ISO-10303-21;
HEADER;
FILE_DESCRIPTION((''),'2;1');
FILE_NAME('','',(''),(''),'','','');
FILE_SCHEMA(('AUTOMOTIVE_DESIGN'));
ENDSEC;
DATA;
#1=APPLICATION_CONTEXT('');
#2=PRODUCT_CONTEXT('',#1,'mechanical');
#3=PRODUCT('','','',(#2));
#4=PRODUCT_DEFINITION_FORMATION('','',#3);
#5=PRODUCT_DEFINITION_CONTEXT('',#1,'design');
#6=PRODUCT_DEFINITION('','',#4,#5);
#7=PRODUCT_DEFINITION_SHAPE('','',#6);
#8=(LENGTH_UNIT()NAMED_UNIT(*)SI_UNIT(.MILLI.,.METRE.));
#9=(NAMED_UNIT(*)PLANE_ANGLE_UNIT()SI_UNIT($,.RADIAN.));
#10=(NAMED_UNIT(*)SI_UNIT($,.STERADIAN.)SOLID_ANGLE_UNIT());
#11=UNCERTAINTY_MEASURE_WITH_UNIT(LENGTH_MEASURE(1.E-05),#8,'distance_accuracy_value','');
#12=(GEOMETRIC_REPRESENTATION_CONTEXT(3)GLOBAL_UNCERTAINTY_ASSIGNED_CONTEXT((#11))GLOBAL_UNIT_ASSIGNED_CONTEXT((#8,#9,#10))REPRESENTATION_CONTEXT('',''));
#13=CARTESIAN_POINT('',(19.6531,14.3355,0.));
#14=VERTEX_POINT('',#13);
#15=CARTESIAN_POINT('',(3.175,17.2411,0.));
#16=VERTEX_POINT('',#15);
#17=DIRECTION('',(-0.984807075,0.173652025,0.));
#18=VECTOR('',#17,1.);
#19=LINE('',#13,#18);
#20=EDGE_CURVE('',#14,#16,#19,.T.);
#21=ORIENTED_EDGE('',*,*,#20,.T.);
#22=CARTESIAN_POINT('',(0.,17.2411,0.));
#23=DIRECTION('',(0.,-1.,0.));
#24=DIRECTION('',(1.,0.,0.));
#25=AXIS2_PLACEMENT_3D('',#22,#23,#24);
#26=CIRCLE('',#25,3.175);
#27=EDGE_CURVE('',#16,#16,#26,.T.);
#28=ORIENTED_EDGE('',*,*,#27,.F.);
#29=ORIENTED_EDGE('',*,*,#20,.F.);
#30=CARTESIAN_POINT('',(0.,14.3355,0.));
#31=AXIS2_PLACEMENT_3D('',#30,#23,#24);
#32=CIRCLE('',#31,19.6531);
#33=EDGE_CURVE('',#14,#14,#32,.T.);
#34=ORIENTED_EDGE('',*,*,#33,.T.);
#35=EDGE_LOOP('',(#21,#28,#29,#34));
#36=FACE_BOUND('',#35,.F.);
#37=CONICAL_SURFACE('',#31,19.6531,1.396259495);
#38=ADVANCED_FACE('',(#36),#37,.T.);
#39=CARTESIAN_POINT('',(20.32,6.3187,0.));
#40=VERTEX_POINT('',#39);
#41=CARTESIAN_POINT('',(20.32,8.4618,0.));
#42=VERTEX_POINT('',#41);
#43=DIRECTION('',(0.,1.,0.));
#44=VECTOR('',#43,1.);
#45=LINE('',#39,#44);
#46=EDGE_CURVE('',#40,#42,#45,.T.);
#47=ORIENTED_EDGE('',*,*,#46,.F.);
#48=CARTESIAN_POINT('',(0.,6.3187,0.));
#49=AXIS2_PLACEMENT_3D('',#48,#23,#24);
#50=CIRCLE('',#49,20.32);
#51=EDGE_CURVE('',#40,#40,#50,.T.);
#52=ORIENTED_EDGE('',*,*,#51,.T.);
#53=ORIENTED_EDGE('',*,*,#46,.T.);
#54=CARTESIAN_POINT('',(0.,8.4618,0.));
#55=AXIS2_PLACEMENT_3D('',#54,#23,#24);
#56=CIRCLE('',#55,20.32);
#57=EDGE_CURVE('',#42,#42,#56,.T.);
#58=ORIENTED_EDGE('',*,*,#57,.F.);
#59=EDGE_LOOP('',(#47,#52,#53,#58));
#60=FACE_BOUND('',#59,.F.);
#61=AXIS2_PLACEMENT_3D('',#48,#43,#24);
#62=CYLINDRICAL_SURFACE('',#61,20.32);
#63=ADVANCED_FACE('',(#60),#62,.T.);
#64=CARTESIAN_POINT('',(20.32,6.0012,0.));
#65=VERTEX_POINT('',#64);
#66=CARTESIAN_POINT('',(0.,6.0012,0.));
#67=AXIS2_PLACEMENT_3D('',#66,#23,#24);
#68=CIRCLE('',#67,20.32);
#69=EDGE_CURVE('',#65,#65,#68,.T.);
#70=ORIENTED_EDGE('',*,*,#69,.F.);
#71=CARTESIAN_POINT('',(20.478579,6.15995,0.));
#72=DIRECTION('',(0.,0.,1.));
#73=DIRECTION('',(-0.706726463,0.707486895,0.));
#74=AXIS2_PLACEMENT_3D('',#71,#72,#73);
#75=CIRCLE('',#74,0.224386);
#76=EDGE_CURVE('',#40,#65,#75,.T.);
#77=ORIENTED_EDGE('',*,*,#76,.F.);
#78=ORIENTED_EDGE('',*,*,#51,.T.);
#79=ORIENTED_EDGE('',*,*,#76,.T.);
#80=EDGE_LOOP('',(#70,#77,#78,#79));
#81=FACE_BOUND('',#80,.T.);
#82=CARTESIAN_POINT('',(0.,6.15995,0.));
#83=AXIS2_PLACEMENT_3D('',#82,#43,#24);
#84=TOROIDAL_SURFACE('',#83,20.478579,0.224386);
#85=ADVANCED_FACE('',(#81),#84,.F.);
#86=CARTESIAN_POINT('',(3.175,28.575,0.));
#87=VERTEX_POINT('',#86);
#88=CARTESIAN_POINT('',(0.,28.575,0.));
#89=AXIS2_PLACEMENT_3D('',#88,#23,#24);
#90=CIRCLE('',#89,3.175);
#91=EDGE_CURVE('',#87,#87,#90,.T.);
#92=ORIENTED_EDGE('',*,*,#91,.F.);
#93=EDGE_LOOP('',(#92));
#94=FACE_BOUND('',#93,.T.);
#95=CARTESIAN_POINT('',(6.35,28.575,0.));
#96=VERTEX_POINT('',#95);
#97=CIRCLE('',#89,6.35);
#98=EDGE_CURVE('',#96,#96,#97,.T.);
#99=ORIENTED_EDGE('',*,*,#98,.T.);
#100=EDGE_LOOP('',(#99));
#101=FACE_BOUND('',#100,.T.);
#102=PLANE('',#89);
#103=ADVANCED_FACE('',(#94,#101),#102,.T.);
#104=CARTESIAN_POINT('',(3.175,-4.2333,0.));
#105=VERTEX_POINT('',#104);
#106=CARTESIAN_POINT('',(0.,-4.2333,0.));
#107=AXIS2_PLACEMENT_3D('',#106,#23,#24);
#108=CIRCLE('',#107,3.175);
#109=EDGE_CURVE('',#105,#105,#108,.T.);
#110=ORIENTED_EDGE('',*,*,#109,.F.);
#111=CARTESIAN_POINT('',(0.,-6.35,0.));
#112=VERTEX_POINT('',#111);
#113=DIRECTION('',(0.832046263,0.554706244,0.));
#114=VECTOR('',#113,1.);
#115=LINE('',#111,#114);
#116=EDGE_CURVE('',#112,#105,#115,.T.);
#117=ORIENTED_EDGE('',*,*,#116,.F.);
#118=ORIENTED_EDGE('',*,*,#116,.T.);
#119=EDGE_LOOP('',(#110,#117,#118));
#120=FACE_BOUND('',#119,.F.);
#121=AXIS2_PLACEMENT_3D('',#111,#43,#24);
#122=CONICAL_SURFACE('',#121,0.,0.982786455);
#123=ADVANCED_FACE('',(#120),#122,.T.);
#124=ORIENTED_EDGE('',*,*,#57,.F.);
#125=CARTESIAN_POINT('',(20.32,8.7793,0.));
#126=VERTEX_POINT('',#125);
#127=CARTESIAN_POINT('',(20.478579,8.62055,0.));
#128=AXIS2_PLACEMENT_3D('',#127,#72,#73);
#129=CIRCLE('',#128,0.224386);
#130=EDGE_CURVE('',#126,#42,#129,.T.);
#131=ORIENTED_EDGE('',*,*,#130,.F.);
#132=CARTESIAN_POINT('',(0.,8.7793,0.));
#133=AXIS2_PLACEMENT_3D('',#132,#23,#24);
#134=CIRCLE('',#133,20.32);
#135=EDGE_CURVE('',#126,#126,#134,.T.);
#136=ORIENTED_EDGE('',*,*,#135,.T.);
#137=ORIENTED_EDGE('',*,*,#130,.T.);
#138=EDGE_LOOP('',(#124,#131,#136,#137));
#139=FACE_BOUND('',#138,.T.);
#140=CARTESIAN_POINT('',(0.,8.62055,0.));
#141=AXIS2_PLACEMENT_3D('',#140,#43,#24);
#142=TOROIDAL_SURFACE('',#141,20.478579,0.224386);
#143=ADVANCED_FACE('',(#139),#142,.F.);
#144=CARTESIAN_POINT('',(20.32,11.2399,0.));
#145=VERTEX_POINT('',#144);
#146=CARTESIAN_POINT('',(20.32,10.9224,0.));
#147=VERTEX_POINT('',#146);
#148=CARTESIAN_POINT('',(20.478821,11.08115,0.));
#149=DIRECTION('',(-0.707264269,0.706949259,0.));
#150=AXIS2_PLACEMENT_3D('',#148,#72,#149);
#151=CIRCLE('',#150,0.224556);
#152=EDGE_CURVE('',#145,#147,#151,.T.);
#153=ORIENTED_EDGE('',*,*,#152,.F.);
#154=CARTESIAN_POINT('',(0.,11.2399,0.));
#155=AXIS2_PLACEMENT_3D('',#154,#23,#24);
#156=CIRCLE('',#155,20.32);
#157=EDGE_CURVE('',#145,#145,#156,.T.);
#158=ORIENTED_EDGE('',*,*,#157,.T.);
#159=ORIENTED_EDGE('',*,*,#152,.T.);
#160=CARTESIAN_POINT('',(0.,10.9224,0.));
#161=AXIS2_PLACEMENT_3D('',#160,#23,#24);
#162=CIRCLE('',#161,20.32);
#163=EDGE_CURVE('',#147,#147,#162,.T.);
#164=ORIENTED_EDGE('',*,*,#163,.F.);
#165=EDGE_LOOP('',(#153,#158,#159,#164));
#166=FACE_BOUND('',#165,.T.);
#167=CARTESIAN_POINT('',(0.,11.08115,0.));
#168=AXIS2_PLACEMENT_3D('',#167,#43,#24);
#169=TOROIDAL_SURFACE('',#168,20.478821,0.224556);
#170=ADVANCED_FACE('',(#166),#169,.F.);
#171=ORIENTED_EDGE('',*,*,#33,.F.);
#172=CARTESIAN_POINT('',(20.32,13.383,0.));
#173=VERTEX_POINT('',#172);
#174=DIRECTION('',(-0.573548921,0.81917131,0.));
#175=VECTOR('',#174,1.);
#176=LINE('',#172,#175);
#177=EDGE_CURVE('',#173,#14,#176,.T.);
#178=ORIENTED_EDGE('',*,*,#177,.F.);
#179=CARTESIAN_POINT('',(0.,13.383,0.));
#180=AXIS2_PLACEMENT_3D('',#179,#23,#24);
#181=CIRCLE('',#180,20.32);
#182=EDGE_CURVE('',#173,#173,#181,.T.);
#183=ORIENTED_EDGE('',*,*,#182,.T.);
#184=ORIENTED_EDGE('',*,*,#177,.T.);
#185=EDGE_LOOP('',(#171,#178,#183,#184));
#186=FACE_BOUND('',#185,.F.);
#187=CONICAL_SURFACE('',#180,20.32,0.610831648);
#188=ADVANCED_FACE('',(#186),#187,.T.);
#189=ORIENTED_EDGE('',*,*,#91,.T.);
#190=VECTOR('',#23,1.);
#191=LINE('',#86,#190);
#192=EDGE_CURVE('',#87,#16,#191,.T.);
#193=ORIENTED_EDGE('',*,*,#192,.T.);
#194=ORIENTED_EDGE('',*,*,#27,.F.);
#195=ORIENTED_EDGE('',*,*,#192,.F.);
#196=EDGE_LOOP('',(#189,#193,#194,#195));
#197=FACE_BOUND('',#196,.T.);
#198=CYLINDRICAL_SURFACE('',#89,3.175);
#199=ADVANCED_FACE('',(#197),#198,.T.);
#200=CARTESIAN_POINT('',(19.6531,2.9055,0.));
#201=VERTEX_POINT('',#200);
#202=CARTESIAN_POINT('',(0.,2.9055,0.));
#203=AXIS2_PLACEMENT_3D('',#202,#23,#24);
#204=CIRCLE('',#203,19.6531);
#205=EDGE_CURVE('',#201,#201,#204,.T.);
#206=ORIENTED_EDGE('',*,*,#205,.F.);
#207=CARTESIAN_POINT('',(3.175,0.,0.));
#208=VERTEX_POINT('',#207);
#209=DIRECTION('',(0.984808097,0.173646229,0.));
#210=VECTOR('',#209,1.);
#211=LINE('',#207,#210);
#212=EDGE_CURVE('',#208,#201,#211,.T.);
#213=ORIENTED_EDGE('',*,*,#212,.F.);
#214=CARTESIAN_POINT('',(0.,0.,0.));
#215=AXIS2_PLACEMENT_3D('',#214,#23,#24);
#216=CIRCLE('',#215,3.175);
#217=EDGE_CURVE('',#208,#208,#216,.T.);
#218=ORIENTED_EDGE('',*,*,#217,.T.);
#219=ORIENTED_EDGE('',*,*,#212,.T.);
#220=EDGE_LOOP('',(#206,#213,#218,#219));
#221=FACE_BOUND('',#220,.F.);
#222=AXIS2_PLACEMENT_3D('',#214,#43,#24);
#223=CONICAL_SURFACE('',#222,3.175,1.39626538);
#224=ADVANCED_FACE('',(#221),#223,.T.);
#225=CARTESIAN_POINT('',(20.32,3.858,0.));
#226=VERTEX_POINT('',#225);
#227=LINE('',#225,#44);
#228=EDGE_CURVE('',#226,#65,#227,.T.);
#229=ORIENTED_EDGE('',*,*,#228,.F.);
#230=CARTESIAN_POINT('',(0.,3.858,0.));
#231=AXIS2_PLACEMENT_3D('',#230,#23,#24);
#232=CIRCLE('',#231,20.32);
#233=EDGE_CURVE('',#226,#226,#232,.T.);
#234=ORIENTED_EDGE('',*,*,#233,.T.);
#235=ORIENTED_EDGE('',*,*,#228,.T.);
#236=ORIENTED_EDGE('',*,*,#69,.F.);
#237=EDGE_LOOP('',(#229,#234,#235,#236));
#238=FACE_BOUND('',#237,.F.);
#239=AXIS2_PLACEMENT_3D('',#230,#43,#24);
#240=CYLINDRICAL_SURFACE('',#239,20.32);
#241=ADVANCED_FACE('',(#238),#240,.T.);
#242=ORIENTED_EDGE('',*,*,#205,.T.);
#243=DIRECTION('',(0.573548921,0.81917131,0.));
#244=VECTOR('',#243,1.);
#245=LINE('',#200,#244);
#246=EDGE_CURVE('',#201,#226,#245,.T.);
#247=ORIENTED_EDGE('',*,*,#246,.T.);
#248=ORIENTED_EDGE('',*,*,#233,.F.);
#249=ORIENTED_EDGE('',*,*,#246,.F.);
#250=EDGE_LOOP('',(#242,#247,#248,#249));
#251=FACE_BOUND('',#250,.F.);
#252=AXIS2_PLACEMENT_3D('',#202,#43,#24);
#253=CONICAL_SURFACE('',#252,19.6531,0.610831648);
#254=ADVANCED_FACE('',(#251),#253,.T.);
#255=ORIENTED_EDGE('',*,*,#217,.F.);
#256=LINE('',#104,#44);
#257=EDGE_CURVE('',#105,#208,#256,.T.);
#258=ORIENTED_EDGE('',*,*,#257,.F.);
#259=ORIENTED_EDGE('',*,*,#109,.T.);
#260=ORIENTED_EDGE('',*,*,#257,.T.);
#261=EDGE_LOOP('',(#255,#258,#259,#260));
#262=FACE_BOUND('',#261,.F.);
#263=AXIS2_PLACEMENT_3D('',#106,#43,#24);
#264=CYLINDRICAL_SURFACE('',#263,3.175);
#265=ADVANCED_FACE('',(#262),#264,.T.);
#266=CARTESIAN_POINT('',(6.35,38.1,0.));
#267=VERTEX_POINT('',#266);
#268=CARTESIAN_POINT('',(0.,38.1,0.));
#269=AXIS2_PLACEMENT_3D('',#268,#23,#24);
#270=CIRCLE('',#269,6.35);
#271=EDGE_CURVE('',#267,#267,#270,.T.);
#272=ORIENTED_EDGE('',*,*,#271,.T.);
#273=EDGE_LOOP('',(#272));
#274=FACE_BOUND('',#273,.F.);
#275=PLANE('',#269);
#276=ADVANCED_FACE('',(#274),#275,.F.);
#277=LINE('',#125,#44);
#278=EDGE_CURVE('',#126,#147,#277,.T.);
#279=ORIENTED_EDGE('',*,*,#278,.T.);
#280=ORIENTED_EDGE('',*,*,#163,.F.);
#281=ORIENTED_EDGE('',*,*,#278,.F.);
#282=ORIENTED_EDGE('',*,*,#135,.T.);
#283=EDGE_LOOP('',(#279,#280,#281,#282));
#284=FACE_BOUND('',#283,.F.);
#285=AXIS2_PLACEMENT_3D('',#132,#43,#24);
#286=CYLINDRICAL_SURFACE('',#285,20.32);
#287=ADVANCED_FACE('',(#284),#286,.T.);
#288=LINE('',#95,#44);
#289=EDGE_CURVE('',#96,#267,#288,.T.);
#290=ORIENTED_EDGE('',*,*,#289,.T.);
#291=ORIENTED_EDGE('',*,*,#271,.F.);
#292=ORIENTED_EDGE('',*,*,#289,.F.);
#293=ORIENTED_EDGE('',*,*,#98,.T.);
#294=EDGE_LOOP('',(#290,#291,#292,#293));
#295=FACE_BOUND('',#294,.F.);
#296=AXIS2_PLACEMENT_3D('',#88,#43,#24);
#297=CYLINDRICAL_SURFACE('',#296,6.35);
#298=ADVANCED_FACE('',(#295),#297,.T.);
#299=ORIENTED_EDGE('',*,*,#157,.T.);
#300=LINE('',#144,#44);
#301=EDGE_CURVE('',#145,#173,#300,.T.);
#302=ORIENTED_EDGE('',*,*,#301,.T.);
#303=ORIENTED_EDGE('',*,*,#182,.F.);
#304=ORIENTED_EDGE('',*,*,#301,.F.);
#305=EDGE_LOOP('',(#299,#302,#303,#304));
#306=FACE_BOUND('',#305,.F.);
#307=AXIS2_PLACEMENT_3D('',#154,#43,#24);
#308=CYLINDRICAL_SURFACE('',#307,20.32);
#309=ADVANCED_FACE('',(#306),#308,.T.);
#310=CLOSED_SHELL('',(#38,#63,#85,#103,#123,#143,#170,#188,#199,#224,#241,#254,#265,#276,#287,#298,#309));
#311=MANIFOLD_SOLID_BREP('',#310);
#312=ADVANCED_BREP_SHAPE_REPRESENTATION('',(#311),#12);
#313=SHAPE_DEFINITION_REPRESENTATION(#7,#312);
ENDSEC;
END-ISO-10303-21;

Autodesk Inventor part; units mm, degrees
ref_plane "YZ Plane" through (0, 0, 0) normal (1, 0, 0) x (0, 1, 0)
ref_plane "XZ Plane" through (0, 0, 0) normal (0, 1, 0) x (-1, 0, 0)
ref_plane "XY Plane" through (0, 0, 0) normal (0, 0, 1) x (1, 0, 0)
sketch "Sketch1" plane through (0, 0, 0) normal (0, 0, 1) x (1, 0, 0)
  line L0 (0, 0) -> (0, 28.575)
  line L1 (0, 0) -> (0, -6.35)
  line L2 (0, 28.575) -> (0, 38.1)
  line L3 (6.35, 28.575) -> (6.35, 38.1)
  line L4 (6.35, 38.1) -> (0, 38.1)
  line L5 (3.175, 17.0324) -> (0, 17.0324) construction
  line L6 (6.35, 28.575) -> (3.175, 28.575)
  line L7 (3.175, 28.575) -> (0, 28.575) construction
  line L8 (0, 0) -> (3.175, 0) construction
  line L9 (3.175, 0) -> (17.91, 0) construction
  line L10 (19.6531, 2.9055) -> (20.32, 3.858)
  line L11 (0, -6.35) -> (3.175, -4.2333)
  line L12 (3.175, -4.2333) -> (3.175, 0)
  line L13 (3.175, 0) -> (19.6531, 2.9055)
  line L14 (3.175, 28.575) -> (3.175, 17.2411)
  line L15 (20.32, 13.383) -> (19.6531, 14.3355)
  line L16 (19.6531, 14.3355) -> (3.175, 17.2411)
  line L17 (20.32, 8.7793) -> (20.1613, 8.6205) construction
  line L18 (20.1613, 8.6205) -> (20.32, 8.4618) construction
  arc A0 (6.35, 38.1) -> (0, 40.0262) centre (0, 28.5962) ccw
  line L19 (20.32, 6.3187) -> (20.1612, 6.1599) construction
  line L20 (20.1612, 6.1599) -> (20.32, 6.0012) construction
  line L21 (20.32, 10.9224) -> (20.1612, 11.0812) construction
  line L22 (20.1612, 11.0812) -> (20.32, 11.2399) construction
  line L23 (20.32, 3.858) -> (20.32, 6.0012)
  line L24 (20.32, 6.3187) -> (20.32, 8.4618)
  line L25 (20.32, 8.7793) -> (20.32, 10.9224)
  line L26 (20.32, 11.2399) -> (20.32, 13.383)
  line L27 (20.32, 6.0012) -> (20.32, 6.3187) construction
  line L28 (20.32, 8.4618) -> (20.32, 8.7793) construction
  line L29 (20.32, 10.9224) -> (20.32, 11.2399) construction
  arc A1 (20.32, 11.2399) -> (20.32, 10.9224) centre (20.4787, 11.0812) ccw
  arc A2 (20.32, 8.7793) -> (20.32, 8.4618) centre (20.4787, 8.6205) ccw
  arc A3 (20.32, 6.3187) -> (20.32, 6.0012) centre (20.4787, 6.1599) ccw
  dimension "d5" = 44.45
  dimension "d6" = 9.525
  dimension "d7" = 6.35
  dimension "d12" = 2.1167
  dimension "d13" = 3.175
  dimension "d15" = 4.2333
  dimension "d24" = 10
  dimension "d28" = 3.175
  dimension "d31" = 110
  dimension "d32" = 100
  dimension "d35" = 11.43
  dimension "d36" = 0.3175
  dimension "d37" = 9.525
  dimension "d40" = 11.43
  dimension "d42" = 20.32
revolve "Revolution1" add sketch "Sketch1" angle 360 about axis through (0, 28.575, 0) along (0, -1, 0)
properties part number "Top1"
